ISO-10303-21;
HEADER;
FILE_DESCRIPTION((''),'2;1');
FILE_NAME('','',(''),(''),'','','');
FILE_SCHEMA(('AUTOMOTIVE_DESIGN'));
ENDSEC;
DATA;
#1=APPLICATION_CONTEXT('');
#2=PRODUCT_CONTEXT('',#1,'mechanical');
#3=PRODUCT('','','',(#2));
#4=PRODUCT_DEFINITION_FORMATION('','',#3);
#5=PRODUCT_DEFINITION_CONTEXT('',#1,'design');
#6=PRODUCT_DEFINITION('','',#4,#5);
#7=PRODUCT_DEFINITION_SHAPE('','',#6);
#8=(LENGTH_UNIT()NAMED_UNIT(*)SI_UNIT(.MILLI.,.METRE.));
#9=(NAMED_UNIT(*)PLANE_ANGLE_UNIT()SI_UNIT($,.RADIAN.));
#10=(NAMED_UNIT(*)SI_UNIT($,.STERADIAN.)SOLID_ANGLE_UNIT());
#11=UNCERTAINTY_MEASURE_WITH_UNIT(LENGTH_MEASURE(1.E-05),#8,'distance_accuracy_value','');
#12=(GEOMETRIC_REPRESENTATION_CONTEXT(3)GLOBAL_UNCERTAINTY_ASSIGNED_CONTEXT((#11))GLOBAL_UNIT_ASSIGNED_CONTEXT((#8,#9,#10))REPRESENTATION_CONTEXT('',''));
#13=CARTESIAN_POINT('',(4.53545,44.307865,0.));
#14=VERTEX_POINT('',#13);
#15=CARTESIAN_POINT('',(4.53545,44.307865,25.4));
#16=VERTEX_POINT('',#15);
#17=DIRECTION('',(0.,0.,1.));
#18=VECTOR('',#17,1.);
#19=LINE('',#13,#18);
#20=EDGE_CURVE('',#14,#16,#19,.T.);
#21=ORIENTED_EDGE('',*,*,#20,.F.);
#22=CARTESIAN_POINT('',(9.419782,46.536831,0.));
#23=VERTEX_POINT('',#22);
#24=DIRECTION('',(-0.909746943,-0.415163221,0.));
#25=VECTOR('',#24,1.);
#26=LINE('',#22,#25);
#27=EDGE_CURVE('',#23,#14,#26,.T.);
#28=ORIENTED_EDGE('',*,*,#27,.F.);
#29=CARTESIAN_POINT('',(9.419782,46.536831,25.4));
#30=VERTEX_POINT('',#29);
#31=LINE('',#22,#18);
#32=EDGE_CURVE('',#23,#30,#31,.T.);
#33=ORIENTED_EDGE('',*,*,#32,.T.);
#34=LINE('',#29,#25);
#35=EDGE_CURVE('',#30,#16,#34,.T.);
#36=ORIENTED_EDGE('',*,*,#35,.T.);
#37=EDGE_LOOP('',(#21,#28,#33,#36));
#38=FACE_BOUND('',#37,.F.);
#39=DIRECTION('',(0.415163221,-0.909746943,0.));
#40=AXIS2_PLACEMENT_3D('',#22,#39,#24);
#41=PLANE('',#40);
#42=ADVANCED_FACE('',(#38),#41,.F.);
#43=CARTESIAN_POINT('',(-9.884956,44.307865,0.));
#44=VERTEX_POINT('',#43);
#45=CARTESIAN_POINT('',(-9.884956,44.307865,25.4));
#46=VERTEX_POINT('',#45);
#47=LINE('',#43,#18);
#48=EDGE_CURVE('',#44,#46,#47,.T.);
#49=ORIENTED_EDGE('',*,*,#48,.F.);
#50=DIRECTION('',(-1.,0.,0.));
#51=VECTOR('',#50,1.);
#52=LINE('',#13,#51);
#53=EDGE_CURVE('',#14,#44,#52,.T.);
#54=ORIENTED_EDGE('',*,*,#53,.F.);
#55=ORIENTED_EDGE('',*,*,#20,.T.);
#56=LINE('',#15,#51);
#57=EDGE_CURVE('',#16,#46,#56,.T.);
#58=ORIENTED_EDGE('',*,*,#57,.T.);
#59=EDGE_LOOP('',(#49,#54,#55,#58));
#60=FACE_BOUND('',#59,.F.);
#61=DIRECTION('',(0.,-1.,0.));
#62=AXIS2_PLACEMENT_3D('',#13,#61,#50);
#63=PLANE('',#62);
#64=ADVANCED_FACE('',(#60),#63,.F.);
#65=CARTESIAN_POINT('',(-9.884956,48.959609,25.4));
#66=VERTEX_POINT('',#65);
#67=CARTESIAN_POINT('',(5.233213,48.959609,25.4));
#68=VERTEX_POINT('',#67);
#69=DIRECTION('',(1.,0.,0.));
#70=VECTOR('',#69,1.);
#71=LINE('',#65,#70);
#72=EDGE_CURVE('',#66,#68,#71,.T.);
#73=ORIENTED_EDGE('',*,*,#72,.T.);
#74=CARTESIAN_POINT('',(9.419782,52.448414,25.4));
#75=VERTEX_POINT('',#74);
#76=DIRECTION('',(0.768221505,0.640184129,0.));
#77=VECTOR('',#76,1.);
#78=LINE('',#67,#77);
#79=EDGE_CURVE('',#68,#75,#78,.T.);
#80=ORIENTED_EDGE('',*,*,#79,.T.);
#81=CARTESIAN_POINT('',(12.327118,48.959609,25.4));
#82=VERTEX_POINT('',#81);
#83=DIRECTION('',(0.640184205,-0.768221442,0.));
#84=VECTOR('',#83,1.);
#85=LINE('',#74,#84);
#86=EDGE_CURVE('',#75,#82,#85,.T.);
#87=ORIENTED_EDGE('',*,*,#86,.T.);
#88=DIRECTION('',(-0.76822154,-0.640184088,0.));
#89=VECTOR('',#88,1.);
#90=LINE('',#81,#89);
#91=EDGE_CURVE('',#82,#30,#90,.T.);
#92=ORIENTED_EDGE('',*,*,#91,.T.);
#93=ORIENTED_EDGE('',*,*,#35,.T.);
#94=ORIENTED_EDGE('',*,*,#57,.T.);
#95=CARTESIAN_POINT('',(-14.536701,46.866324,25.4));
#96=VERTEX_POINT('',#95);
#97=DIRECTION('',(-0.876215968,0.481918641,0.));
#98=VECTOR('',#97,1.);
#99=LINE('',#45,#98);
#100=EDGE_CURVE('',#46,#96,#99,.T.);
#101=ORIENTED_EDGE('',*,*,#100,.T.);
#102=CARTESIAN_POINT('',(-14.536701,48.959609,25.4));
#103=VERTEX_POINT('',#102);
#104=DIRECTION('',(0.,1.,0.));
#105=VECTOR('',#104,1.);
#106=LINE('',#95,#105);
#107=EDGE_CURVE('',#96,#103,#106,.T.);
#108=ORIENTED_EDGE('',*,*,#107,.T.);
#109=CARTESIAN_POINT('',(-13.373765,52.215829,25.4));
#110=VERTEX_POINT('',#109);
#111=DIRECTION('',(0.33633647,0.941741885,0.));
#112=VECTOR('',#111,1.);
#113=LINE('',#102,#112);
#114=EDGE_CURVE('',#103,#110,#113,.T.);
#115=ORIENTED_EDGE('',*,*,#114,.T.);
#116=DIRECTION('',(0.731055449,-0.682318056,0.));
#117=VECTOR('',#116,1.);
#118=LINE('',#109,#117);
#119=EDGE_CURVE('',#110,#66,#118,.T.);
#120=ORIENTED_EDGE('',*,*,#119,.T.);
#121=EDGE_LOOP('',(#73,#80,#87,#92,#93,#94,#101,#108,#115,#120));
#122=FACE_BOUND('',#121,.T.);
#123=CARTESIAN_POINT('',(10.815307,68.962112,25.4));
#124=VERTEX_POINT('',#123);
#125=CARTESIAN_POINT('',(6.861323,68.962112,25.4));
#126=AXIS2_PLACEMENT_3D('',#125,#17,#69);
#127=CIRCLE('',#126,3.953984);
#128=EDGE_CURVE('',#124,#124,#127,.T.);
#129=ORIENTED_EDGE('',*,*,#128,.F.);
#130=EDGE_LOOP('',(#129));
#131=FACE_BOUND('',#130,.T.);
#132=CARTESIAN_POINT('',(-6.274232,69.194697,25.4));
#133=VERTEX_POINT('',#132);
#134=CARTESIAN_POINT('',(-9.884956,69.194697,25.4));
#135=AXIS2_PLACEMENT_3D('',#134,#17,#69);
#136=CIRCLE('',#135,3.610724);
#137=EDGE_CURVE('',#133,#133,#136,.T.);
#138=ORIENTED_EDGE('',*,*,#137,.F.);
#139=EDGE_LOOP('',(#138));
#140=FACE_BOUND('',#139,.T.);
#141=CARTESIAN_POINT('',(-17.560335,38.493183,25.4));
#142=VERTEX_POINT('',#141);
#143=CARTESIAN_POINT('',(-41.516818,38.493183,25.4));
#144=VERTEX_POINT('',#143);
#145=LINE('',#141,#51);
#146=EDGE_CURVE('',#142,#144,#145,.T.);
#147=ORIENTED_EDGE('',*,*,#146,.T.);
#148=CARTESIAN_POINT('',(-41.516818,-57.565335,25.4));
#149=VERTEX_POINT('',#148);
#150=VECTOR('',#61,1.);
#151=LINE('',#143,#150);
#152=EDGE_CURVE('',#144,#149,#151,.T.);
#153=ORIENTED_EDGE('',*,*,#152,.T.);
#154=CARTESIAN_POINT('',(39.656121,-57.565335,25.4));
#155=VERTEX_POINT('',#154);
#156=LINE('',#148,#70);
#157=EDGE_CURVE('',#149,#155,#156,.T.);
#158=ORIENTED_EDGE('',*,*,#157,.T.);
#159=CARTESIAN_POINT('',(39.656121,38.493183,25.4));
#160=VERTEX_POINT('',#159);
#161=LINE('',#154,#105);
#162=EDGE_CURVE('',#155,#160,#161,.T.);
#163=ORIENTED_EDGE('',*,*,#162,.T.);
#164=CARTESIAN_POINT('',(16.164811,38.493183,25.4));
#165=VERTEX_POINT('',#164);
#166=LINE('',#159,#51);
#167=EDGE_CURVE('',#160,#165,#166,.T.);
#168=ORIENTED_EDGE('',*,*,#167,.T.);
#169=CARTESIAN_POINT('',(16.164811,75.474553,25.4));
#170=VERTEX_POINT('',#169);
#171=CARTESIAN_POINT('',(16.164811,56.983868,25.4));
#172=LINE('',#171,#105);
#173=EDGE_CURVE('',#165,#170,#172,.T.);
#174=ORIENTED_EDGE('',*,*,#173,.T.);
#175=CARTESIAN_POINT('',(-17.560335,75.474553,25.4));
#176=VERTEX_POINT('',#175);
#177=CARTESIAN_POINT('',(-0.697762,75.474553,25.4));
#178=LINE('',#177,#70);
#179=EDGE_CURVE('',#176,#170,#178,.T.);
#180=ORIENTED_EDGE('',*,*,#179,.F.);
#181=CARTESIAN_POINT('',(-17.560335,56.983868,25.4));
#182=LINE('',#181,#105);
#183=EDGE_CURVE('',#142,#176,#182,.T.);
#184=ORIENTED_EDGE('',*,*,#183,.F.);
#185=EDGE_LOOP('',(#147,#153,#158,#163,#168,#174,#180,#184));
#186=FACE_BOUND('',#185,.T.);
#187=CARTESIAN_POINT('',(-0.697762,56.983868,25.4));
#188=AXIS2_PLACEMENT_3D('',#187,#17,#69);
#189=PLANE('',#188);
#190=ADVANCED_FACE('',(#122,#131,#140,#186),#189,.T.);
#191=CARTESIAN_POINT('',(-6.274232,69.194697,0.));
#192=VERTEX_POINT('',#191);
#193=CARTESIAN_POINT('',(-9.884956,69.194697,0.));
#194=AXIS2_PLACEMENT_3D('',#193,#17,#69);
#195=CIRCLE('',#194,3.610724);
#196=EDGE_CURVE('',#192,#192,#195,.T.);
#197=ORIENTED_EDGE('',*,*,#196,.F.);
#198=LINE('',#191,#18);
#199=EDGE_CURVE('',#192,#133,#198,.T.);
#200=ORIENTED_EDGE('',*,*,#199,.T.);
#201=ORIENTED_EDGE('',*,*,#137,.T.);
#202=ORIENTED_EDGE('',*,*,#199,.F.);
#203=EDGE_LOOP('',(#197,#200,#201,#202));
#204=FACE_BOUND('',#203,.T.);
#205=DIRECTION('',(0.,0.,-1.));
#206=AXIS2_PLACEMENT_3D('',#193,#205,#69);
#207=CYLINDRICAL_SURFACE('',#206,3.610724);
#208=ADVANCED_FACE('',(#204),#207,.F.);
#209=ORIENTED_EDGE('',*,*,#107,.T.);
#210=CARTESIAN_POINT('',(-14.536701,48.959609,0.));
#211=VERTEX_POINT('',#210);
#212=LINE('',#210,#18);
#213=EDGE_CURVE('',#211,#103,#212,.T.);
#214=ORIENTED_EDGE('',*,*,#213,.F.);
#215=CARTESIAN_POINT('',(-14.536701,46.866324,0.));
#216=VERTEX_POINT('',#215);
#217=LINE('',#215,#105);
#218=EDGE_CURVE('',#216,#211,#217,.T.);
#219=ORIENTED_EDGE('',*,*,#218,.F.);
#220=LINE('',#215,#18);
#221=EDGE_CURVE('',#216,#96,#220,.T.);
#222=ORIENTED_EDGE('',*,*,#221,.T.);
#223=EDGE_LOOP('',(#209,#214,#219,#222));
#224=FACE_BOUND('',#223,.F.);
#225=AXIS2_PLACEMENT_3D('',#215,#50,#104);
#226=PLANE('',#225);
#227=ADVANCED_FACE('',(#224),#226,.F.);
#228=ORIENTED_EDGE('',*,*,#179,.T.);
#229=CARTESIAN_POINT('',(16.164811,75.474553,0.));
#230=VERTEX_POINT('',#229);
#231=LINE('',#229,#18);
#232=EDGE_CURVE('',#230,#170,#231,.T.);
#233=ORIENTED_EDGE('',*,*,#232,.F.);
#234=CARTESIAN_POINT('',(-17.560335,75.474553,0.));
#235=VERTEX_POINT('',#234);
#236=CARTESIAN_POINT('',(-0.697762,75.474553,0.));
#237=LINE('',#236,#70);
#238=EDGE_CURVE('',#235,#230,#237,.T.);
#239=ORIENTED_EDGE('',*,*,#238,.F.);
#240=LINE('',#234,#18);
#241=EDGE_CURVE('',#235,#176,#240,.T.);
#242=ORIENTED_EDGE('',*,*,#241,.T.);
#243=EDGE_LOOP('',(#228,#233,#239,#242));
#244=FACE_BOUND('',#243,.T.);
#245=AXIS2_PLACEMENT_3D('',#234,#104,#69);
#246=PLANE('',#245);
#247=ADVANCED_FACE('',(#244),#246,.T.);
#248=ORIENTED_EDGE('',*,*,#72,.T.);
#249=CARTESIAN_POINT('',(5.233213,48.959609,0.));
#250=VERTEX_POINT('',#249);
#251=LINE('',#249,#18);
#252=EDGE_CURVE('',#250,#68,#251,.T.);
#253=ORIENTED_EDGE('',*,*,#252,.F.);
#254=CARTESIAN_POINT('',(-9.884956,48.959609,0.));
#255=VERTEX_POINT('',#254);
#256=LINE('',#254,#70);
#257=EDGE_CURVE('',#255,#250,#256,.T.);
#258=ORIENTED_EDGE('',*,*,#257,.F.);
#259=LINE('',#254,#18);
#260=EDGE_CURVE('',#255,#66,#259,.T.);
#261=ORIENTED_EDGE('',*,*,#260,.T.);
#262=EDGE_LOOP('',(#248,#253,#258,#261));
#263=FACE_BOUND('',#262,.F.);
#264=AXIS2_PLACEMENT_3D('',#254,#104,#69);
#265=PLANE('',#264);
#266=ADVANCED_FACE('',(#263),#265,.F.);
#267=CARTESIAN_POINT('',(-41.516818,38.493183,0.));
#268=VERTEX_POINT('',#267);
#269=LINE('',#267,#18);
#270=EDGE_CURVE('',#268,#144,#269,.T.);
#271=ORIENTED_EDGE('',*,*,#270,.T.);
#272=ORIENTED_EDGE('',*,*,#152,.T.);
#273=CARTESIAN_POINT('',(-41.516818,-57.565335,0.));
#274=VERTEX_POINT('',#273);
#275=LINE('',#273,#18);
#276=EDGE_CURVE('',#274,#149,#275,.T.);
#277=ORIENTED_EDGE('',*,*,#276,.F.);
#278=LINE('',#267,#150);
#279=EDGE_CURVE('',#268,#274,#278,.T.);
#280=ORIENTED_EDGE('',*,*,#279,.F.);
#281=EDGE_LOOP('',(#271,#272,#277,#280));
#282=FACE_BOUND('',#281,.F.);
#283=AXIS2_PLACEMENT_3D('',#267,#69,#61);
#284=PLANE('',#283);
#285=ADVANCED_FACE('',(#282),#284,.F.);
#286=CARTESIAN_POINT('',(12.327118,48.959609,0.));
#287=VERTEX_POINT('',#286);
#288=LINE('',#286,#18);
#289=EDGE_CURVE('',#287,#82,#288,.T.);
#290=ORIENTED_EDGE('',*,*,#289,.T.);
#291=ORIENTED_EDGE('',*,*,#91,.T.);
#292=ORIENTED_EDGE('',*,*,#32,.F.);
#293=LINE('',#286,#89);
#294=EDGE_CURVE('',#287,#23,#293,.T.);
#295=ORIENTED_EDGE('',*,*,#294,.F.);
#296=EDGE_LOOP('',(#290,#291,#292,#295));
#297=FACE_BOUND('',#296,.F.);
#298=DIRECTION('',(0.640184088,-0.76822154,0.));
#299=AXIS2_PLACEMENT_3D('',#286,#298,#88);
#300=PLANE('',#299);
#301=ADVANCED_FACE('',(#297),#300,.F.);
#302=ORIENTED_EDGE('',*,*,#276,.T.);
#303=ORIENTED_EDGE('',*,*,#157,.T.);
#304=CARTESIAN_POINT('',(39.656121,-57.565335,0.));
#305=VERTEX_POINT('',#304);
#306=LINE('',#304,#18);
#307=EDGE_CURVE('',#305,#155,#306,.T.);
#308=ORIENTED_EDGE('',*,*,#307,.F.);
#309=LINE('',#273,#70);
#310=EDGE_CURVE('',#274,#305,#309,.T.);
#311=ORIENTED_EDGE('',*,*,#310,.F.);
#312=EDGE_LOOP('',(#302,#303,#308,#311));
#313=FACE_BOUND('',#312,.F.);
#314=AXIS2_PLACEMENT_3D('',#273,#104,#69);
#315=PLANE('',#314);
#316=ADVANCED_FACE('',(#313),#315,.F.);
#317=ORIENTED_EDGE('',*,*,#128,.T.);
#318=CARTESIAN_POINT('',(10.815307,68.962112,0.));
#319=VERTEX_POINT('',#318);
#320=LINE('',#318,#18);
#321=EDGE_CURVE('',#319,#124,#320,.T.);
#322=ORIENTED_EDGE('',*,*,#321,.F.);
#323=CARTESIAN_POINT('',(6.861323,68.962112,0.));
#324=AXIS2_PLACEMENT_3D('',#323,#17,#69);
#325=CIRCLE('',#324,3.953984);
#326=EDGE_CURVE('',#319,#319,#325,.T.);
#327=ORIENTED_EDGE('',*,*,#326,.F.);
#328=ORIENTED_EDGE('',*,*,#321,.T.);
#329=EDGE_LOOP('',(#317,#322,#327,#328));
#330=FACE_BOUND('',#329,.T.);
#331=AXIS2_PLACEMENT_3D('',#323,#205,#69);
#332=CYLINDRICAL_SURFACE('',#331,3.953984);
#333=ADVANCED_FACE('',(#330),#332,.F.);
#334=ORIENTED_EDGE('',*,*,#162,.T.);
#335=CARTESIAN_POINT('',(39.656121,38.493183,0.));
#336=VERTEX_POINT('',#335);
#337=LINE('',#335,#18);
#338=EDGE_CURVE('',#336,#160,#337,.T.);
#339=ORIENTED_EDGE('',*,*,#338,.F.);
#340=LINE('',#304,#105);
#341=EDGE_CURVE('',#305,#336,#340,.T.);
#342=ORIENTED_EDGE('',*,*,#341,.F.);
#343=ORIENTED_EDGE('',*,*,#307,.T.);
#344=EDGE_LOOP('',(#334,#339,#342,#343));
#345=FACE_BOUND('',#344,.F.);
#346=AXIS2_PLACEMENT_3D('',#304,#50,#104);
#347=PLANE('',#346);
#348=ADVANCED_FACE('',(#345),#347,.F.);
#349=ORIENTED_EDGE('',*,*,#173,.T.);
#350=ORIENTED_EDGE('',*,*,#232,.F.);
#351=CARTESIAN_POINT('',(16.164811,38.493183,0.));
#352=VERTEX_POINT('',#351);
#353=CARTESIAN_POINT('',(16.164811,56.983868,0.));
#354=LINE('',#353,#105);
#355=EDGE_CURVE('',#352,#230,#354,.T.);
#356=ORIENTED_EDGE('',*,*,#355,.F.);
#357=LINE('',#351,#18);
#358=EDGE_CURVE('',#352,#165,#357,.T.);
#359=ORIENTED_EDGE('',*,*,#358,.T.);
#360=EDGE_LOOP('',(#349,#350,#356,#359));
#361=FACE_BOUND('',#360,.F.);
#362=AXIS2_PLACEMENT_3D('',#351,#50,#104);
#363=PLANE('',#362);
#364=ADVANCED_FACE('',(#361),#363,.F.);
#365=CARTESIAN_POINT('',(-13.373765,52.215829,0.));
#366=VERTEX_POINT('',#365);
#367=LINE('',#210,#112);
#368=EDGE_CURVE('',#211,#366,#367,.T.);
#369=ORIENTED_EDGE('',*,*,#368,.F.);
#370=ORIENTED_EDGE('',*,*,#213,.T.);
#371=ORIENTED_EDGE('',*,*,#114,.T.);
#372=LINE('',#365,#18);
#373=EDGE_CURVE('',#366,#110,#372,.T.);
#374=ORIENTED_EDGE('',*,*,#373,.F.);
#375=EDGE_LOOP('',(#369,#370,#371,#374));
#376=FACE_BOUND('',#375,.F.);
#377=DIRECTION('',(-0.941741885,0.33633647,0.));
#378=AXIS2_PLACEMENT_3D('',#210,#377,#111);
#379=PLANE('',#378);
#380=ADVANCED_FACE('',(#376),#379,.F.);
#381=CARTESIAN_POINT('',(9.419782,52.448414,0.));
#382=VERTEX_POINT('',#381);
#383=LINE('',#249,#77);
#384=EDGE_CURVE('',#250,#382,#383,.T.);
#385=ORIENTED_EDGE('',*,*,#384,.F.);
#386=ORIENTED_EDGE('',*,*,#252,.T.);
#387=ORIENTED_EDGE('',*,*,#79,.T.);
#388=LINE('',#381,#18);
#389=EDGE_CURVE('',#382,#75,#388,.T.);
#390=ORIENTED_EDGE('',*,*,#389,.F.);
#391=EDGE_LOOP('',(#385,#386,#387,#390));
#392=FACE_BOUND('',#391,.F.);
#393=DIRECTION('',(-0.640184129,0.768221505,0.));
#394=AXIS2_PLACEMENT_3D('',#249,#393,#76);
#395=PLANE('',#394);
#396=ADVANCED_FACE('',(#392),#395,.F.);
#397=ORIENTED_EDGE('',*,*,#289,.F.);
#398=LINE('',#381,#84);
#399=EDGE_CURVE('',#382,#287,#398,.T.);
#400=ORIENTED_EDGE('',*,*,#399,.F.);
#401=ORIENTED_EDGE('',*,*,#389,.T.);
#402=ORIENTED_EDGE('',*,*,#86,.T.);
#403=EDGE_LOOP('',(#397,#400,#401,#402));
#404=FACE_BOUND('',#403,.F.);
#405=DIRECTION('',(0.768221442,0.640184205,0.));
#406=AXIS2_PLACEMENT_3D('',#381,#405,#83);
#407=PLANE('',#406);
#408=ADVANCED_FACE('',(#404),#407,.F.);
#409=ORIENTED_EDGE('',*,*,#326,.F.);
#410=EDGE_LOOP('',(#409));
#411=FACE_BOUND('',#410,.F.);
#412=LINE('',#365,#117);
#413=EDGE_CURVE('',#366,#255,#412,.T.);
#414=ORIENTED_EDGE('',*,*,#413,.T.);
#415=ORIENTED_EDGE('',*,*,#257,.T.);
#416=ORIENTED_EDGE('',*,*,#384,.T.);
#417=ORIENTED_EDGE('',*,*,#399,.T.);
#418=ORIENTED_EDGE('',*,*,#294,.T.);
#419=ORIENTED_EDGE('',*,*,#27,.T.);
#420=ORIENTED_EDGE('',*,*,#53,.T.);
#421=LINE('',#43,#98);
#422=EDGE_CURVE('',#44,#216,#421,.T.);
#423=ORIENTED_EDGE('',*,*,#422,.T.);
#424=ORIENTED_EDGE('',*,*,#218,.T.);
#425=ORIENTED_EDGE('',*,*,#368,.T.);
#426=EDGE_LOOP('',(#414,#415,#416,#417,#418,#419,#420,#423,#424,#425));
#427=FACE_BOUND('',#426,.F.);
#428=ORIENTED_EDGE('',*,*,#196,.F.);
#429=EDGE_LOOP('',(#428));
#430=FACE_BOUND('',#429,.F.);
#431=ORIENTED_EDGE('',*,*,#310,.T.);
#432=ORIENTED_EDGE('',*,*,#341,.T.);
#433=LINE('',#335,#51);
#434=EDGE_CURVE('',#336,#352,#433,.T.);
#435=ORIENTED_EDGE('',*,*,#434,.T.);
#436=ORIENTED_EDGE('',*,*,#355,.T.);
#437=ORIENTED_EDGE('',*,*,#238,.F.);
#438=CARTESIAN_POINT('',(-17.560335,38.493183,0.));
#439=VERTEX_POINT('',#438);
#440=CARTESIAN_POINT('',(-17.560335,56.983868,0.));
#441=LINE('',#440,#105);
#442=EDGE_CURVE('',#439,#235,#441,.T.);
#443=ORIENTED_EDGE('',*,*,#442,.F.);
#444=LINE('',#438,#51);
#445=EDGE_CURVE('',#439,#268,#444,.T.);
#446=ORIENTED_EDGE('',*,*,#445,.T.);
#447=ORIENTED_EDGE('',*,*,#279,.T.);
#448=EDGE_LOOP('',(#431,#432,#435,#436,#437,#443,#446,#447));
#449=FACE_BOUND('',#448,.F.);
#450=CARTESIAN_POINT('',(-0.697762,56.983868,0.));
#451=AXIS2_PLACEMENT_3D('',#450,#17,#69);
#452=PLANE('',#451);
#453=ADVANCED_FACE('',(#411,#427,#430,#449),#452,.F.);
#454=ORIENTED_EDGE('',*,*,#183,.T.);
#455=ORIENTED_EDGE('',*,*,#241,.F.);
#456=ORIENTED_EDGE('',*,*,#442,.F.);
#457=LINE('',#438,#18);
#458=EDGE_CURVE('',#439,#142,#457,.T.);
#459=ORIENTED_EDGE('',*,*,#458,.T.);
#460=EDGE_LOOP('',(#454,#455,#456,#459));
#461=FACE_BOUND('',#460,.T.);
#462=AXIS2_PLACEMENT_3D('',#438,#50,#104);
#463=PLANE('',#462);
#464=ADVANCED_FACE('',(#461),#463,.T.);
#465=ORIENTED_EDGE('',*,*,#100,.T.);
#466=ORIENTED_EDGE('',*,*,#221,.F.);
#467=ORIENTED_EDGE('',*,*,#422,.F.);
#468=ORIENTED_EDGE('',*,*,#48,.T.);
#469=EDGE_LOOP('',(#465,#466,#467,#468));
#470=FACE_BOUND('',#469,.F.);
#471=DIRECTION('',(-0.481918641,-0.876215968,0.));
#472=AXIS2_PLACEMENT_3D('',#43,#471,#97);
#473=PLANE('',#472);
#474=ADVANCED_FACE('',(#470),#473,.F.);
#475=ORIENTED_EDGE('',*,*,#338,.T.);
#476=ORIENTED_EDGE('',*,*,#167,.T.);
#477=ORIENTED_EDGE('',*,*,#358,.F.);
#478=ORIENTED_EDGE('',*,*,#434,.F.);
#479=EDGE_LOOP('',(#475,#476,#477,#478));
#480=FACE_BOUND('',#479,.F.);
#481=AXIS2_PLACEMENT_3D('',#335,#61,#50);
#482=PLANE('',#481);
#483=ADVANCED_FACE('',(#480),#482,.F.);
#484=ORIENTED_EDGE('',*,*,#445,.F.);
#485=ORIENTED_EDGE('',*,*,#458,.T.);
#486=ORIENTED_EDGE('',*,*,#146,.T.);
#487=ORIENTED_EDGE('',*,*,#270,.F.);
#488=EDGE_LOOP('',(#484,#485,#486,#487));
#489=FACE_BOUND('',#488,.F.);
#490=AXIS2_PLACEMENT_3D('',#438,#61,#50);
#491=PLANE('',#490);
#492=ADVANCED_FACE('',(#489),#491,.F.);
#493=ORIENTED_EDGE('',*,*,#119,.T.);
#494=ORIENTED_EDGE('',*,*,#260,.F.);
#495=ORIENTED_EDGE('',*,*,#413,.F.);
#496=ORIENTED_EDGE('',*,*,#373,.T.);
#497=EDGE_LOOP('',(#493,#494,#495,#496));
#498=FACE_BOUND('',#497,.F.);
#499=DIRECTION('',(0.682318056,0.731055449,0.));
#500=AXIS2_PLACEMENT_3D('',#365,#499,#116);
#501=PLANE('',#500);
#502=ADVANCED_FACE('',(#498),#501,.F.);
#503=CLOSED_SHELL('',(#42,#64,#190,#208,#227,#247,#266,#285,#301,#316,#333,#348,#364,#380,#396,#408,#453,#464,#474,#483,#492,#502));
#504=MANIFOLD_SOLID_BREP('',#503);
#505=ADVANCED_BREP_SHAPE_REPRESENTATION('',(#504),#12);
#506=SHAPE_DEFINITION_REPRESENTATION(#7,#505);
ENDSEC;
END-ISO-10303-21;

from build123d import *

# Parameters (mm, degrees)
F0_W     = 33.725146
F0_H     = 36.98137
F0_R     = 3.610724
F0_R_2   = 3.953984
F1_DEPTH = 25.4


with BuildPart() as f1:
    # F0 (on Top) → F1 (new body)
    with BuildSketch(Plane.XY):
        with Locations((-0.697762, 56.983868)):
            Rectangle(F0_W, F0_H)
        Polygon((-14.536701, 48.959609), (-13.373765, 52.215829), (-9.884956, 48.959609), (5.233213, 48.959609), (9.419782, 52.448414), (12.327118, 48.959609), (9.419782, 46.536831), (4.53545, 44.307865), (-9.884956, 44.307865), (-14.536701, 46.866324), align=None, mode=Mode.SUBTRACT)
        with Locations((-9.884956, 69.194697)):
            Circle(F0_R, mode=Mode.SUBTRACT)
        with Locations((6.861323, 68.962112)):
            Circle(F0_R_2, mode=Mode.SUBTRACT)
        Polygon((16.164811, 38.493183), (-17.560335, 38.493183), (-41.516818, 38.493183), (-41.516818, -57.565335), (39.656121, -57.565335), (39.656121, 38.493183), align=None)
    extrude(amount=F1_DEPTH)


solid = f1.part
